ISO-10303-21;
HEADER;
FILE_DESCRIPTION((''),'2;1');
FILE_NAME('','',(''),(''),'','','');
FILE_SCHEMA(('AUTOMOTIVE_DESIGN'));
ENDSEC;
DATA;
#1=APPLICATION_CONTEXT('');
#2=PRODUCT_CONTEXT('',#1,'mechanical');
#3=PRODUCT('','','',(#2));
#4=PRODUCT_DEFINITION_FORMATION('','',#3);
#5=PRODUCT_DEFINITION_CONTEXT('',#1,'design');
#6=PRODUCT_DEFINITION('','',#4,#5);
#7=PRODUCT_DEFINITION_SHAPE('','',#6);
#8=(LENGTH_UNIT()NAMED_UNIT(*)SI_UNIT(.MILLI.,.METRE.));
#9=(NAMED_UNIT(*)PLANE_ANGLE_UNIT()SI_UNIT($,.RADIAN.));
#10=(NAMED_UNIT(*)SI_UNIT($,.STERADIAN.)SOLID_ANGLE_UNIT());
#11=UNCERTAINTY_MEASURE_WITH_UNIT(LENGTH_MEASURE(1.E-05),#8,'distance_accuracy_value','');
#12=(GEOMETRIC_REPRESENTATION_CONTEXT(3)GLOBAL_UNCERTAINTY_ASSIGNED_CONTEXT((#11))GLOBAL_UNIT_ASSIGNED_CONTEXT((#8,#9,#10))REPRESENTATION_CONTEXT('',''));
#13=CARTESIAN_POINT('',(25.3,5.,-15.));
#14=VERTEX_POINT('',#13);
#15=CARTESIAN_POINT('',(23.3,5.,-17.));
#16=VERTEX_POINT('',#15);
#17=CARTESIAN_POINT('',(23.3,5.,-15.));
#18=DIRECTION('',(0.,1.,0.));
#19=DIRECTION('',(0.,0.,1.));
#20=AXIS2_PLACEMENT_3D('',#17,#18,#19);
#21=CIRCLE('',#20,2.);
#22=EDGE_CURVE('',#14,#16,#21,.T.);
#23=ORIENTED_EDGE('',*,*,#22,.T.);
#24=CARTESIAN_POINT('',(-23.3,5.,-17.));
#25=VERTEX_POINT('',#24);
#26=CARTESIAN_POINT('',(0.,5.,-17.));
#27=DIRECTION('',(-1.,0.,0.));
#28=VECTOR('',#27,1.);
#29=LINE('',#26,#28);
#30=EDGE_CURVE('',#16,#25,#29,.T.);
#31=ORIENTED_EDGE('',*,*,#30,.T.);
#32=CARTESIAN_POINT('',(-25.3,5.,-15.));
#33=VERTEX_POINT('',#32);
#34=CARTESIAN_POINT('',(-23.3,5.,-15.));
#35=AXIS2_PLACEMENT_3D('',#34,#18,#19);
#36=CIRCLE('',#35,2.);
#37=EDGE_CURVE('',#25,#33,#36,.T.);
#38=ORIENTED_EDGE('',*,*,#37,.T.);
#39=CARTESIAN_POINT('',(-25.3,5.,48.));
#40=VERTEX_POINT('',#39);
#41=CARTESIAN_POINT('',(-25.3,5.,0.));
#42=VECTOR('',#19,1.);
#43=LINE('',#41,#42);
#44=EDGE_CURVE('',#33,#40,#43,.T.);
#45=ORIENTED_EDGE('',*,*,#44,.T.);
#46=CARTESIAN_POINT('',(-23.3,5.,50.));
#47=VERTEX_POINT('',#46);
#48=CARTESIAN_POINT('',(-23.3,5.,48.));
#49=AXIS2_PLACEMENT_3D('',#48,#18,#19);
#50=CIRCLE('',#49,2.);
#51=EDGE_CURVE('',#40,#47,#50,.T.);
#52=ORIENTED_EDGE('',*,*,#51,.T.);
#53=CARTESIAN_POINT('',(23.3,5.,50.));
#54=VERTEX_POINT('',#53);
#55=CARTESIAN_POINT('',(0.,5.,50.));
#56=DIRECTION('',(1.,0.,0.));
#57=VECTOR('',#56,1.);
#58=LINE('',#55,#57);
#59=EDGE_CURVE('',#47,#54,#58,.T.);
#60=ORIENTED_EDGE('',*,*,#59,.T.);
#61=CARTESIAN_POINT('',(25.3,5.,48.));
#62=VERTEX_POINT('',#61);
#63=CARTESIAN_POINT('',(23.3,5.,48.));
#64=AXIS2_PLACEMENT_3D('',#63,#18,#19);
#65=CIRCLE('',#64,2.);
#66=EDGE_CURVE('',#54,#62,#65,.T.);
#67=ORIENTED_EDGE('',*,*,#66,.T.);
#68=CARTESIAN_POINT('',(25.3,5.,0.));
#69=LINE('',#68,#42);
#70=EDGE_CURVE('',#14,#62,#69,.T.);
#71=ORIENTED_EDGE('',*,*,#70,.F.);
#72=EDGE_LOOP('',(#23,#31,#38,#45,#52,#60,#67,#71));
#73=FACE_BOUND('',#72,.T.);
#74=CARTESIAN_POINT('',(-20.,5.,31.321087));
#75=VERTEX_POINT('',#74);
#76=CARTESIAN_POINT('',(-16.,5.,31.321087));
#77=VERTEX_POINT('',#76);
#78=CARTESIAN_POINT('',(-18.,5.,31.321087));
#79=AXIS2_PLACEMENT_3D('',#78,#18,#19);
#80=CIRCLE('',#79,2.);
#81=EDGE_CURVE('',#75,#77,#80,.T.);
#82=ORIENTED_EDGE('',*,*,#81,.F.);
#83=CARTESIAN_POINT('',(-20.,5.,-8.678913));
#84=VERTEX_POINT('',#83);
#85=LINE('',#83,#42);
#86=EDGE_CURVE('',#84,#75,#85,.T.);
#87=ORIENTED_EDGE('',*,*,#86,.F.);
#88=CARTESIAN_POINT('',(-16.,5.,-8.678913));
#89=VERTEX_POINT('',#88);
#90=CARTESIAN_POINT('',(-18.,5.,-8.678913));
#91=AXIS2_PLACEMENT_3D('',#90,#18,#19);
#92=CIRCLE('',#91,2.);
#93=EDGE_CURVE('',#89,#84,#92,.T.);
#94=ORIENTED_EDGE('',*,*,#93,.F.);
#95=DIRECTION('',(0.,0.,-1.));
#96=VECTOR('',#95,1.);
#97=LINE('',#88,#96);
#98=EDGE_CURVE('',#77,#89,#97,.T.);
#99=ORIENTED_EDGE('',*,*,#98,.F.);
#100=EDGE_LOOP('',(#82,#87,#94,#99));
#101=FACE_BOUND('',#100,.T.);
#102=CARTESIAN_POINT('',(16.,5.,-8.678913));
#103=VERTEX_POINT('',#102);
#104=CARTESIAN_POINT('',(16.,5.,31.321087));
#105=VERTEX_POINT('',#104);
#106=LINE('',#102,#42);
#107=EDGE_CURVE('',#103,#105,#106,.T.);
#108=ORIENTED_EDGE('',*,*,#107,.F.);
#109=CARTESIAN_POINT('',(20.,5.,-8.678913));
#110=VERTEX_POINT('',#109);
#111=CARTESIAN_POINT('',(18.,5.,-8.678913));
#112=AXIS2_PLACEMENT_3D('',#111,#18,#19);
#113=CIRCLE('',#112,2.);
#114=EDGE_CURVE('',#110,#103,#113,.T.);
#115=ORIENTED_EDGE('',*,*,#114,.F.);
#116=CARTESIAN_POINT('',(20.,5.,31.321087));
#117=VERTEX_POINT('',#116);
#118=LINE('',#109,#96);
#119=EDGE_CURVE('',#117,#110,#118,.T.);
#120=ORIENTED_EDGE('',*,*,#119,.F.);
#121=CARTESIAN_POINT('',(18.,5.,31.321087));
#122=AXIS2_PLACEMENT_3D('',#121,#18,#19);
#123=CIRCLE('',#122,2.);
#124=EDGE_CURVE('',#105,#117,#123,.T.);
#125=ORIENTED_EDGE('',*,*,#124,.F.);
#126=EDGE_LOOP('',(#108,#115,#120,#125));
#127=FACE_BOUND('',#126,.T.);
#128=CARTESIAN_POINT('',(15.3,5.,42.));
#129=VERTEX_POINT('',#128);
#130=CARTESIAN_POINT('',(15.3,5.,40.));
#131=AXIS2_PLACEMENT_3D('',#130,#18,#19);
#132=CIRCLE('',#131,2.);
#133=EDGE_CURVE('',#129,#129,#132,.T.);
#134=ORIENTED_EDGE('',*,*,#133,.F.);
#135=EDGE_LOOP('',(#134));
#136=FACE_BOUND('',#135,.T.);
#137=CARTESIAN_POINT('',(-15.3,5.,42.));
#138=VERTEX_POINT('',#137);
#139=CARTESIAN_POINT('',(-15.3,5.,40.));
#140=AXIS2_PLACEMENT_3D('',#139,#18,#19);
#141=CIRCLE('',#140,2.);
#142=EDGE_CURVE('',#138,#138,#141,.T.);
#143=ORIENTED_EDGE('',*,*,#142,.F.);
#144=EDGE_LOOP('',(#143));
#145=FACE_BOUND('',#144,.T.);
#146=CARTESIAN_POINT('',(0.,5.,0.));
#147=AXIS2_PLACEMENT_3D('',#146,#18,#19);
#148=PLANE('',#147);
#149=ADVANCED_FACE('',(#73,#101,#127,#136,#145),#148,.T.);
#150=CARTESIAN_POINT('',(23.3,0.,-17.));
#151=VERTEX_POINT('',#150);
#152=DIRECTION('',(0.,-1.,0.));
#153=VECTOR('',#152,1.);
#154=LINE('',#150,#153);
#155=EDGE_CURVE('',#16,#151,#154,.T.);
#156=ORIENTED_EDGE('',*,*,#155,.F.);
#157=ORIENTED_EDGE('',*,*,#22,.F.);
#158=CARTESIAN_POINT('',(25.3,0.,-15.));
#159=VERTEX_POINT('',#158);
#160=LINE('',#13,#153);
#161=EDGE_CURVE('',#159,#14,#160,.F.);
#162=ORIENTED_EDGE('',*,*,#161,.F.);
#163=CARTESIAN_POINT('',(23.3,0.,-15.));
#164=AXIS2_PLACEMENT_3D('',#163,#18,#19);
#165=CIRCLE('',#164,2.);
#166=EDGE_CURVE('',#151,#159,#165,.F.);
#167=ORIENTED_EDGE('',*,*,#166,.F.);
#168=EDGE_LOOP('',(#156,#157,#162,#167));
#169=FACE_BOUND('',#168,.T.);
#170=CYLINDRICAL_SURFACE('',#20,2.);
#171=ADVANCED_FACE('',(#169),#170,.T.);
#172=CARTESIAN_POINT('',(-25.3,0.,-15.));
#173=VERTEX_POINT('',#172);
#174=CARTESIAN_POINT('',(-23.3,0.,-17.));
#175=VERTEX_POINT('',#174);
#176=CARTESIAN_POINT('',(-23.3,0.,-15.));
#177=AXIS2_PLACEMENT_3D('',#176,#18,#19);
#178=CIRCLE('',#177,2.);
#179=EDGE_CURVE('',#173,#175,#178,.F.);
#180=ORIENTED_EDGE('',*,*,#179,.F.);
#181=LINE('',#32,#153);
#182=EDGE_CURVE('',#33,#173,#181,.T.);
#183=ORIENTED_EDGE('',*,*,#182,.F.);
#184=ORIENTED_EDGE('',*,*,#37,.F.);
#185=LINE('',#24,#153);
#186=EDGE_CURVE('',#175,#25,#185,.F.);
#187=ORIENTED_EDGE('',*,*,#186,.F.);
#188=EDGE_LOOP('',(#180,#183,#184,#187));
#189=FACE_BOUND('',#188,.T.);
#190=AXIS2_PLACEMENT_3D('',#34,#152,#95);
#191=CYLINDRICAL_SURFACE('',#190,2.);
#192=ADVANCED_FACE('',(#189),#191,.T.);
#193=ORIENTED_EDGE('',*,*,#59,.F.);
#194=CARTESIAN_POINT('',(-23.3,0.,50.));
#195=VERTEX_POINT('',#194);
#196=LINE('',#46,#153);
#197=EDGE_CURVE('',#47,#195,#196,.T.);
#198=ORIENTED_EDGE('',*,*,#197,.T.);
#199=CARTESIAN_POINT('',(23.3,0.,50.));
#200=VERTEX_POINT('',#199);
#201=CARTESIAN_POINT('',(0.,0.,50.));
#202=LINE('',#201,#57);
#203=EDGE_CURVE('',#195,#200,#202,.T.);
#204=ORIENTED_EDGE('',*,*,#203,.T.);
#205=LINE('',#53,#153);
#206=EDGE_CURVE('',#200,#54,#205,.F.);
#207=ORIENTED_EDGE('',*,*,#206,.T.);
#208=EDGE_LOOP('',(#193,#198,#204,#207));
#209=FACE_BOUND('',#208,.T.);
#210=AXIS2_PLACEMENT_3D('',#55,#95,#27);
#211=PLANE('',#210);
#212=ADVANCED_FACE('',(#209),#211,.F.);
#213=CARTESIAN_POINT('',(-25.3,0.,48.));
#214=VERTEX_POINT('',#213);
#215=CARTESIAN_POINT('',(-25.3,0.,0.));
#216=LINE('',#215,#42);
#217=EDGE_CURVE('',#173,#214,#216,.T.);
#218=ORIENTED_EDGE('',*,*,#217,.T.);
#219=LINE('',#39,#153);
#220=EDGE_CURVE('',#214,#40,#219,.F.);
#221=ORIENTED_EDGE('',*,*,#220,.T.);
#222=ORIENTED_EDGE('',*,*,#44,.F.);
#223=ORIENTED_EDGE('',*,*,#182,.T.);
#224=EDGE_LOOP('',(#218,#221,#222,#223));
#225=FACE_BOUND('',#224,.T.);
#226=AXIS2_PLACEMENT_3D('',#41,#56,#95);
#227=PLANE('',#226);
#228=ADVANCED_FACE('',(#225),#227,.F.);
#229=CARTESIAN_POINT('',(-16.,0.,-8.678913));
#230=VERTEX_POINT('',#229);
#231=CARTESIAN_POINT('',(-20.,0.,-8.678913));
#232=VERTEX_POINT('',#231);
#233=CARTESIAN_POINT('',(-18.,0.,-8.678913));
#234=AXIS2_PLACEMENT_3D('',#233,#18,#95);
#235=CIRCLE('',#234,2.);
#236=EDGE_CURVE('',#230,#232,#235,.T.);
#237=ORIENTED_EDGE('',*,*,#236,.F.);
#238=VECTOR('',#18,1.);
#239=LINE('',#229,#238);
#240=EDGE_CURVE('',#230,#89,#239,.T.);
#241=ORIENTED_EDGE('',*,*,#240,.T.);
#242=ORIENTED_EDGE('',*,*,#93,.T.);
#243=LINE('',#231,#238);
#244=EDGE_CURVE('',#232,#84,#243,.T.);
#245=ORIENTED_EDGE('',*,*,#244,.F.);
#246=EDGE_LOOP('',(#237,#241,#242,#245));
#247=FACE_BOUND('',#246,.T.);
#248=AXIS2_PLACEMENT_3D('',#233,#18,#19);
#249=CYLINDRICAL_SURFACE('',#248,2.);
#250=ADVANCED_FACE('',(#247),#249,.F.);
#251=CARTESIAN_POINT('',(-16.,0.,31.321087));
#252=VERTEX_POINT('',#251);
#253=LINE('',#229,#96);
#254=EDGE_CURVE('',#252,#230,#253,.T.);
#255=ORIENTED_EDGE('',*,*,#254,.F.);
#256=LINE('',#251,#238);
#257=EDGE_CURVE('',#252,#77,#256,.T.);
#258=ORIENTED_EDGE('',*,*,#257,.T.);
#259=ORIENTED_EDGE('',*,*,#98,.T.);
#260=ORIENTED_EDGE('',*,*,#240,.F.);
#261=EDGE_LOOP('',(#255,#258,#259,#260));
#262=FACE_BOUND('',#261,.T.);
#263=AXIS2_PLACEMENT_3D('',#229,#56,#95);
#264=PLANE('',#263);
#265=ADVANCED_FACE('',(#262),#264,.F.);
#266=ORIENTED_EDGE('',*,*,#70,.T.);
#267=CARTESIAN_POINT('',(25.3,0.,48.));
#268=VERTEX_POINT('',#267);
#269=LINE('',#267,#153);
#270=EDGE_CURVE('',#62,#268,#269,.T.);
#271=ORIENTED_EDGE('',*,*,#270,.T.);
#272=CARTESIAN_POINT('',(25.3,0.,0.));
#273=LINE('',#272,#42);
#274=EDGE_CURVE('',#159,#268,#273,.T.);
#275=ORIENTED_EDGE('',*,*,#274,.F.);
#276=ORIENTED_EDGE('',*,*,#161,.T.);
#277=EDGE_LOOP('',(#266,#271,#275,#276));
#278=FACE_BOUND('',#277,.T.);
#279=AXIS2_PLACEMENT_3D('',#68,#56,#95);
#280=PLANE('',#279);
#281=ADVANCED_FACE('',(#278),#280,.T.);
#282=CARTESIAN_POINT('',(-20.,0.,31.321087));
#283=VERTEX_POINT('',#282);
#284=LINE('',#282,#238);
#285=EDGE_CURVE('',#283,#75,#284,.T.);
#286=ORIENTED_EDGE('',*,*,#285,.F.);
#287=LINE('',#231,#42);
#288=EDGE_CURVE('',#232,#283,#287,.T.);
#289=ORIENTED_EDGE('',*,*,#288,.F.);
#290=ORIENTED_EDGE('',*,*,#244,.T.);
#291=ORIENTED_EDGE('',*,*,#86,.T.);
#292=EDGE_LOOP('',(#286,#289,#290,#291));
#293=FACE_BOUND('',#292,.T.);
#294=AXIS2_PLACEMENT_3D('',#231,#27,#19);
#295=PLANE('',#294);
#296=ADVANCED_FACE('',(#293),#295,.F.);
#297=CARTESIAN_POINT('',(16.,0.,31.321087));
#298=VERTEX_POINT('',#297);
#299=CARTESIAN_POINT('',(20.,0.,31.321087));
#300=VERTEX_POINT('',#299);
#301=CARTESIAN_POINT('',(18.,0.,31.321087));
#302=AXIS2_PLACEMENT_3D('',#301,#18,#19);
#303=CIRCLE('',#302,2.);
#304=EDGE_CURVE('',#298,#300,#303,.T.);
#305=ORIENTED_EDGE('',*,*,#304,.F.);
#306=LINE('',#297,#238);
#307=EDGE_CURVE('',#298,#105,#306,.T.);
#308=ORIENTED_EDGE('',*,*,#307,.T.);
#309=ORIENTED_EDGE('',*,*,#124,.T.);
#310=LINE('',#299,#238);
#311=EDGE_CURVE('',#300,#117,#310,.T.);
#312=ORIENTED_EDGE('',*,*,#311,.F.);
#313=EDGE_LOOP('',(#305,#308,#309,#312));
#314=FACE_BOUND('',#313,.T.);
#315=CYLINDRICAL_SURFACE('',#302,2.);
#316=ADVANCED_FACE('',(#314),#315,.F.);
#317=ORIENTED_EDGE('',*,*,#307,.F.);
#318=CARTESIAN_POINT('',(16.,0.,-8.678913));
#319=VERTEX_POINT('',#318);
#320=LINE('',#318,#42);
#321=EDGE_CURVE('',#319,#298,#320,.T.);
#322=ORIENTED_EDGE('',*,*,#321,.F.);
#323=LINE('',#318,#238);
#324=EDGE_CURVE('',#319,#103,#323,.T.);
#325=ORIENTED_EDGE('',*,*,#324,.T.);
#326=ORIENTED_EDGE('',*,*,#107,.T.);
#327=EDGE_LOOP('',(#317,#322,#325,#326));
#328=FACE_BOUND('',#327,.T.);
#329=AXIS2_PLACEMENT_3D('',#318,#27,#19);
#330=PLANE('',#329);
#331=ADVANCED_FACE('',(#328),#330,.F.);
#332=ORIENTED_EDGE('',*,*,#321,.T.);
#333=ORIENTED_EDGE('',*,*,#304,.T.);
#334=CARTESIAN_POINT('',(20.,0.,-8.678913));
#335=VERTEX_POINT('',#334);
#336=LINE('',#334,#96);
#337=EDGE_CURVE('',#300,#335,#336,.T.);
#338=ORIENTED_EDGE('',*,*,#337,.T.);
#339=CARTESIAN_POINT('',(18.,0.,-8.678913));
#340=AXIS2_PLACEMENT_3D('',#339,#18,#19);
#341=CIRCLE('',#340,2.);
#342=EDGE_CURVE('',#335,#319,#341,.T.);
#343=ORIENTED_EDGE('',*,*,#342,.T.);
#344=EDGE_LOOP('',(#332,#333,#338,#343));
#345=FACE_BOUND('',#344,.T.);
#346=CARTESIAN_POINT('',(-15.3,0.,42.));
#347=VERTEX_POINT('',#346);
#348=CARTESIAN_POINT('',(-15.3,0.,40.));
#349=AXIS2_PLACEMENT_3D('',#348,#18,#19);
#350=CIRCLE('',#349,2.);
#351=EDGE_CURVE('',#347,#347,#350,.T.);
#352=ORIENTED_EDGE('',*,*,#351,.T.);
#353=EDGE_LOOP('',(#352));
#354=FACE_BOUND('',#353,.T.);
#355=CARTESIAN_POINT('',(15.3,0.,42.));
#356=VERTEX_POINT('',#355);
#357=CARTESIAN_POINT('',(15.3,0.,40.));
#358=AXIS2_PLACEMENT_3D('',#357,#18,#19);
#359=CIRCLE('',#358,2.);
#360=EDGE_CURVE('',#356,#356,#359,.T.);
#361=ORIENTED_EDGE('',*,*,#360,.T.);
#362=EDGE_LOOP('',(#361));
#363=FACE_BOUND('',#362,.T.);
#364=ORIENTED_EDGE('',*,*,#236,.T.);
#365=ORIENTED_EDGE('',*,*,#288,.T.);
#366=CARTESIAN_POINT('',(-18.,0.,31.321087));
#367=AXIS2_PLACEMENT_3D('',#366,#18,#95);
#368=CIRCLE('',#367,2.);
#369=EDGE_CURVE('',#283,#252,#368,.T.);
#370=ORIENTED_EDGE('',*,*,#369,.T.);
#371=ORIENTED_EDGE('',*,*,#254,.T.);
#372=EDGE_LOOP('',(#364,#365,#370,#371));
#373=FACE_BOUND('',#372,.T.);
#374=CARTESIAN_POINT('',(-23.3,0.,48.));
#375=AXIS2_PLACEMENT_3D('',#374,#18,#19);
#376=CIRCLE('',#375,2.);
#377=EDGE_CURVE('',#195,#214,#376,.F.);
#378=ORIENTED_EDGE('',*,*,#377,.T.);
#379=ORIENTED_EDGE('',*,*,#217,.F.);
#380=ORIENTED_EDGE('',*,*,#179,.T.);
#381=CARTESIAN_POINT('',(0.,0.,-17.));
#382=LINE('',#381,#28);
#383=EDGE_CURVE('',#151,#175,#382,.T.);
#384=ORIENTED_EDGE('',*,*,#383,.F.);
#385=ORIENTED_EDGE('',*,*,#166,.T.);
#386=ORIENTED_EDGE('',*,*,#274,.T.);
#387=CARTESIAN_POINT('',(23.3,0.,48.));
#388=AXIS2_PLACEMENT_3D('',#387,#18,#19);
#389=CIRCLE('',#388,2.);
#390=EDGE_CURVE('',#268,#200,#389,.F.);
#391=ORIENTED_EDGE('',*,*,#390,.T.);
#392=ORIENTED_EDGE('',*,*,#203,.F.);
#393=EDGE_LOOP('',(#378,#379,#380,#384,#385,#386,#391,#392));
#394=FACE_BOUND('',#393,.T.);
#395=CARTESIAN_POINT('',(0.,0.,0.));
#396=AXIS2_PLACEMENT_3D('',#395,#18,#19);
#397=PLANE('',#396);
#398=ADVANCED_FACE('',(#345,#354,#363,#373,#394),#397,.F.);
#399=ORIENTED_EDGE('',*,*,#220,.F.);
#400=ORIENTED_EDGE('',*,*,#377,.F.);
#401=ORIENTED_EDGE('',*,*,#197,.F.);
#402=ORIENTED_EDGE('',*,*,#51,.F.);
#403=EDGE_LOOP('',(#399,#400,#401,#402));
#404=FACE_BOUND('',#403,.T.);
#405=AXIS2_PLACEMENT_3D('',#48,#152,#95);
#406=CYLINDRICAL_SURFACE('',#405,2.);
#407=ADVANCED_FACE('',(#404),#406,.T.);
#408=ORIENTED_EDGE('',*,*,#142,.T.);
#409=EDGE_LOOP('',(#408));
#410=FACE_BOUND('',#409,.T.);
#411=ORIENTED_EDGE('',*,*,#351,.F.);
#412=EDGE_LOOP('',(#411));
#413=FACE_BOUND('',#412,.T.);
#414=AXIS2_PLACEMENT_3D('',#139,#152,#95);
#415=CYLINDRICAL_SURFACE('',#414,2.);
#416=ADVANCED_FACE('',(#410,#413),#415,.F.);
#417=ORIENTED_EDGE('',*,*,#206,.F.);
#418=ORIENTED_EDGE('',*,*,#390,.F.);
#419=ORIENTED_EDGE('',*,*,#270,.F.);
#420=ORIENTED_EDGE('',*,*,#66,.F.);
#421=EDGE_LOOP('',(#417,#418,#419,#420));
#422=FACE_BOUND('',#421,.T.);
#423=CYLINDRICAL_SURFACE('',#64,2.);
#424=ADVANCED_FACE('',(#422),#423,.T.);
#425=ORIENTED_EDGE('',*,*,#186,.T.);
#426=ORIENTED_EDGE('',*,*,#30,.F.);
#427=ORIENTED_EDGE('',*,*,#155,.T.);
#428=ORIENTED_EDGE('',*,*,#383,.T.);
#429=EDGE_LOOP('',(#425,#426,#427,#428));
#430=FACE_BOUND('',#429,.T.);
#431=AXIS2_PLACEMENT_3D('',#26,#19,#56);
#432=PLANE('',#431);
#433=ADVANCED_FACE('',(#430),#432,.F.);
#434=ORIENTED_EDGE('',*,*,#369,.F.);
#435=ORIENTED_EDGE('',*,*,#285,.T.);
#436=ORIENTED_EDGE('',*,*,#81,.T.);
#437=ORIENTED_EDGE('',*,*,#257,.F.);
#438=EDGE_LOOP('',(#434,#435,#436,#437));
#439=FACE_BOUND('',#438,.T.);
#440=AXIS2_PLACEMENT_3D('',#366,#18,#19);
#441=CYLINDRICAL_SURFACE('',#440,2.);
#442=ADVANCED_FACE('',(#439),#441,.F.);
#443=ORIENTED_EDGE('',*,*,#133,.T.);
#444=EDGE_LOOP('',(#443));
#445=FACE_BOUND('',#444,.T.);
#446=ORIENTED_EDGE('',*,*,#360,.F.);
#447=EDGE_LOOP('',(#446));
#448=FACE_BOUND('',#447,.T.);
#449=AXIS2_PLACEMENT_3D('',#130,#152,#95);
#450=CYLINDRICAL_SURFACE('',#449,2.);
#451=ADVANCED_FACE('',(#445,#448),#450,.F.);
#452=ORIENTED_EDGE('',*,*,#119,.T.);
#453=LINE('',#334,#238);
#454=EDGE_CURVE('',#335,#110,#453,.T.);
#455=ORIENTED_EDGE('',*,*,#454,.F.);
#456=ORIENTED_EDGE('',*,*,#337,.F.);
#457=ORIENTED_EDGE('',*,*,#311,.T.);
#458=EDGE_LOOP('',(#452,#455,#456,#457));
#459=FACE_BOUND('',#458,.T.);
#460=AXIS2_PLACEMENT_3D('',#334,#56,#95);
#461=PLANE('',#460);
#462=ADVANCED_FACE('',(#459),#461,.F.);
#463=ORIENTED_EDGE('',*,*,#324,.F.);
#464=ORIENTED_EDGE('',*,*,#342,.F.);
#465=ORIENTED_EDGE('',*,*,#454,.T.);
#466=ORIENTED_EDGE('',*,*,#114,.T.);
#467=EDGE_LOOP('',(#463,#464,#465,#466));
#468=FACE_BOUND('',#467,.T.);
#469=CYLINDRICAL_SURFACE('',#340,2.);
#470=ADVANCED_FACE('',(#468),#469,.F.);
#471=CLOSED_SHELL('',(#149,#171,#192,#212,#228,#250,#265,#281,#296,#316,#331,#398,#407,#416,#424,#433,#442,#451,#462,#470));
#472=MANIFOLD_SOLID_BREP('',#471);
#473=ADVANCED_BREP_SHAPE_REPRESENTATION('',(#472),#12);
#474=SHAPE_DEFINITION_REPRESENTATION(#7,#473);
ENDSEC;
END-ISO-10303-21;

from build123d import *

# Parameters (mm, degrees)
EXTRUDE_1_DEPTH          = 5
FILLET_1_R               = 2
CUT_EXTRUDE_1_DEPTH      = 57.259132592
CUT_EXTRUDE_1_DEPTH_BACK = 57.259132592


with BuildPart() as part:
    # 草图1 → 凸台-拉伸1 (new body)
    with BuildSketch(Plane(origin=(0, 0, 0), x_dir=(1, 0, 0), z_dir=(0, 1, 0))):
        Polygon((25.3, -50), (25.3, 17), (-25.3, 17), (-25.3, -50), (-0.631149451, -50), (0.631149451, -50), align=None)
        with BuildLine():
            ThreePointArc((-13.3, -40), (-15.3, -42), (-17.3, -40))
            ThreePointArc((-17.3, -40), (-15.3, -38), (-13.3, -40))
        make_face(mode=Mode.SUBTRACT)
        with BuildLine():
            ThreePointArc((13.3, -40), (15.3, -38), (17.3, -40))
            ThreePointArc((17.3, -40), (15.3, -42), (13.3, -40))
        make_face(mode=Mode.SUBTRACT)
    extrude(amount=EXTRUDE_1_DEPTH)

    # 圆角1
    fillet_1_edges = [part.edges().sort_by_distance(p)[0] for p in [
        (25.3, 2.5, 50),
        (-25.3, 2.5, 50),
        (-25.3, 2.5, -17),
        (25.3, 2.5, -17),
    ]]
    fillet(fillet_1_edges, radius=FILLET_1_R)

    # 草图2 → 切除-拉伸1 (cut, two sides: drawn at the far end of the back side and taken through both)
    with BuildSketch(Plane(origin=(0, 5, 0), x_dir=(1, 0, 0), z_dir=(0, 1, 0)).offset(-CUT_EXTRUDE_1_DEPTH_BACK)):
        with BuildLine():
            Line((20, 8.678912506), (20, -31.321087494))
            ThreePointArc((20, -31.321087494), (18, -33.321087494), (16, -31.321087494))
            Line((16, -31.321087494), (16, 8.678912506))
            ThreePointArc((16, 8.678912506), (18, 10.678912506), (20, 8.678912506))
        make_face()
        with BuildLine():
            Line((-20, 8.678912506), (-20, -31.321087494))
            ThreePointArc((-20, -31.321087494), (-18, -33.321087494), (-16, -31.321087494))
            Line((-16, -31.321087494), (-16, 8.678912506))
            ThreePointArc((-16, 8.678912506), (-18, 10.678912506), (-20, 8.678912506))
        make_face()
    extrude(amount=CUT_EXTRUDE_1_DEPTH + CUT_EXTRUDE_1_DEPTH_BACK, mode=Mode.SUBTRACT)


solid = part.part
